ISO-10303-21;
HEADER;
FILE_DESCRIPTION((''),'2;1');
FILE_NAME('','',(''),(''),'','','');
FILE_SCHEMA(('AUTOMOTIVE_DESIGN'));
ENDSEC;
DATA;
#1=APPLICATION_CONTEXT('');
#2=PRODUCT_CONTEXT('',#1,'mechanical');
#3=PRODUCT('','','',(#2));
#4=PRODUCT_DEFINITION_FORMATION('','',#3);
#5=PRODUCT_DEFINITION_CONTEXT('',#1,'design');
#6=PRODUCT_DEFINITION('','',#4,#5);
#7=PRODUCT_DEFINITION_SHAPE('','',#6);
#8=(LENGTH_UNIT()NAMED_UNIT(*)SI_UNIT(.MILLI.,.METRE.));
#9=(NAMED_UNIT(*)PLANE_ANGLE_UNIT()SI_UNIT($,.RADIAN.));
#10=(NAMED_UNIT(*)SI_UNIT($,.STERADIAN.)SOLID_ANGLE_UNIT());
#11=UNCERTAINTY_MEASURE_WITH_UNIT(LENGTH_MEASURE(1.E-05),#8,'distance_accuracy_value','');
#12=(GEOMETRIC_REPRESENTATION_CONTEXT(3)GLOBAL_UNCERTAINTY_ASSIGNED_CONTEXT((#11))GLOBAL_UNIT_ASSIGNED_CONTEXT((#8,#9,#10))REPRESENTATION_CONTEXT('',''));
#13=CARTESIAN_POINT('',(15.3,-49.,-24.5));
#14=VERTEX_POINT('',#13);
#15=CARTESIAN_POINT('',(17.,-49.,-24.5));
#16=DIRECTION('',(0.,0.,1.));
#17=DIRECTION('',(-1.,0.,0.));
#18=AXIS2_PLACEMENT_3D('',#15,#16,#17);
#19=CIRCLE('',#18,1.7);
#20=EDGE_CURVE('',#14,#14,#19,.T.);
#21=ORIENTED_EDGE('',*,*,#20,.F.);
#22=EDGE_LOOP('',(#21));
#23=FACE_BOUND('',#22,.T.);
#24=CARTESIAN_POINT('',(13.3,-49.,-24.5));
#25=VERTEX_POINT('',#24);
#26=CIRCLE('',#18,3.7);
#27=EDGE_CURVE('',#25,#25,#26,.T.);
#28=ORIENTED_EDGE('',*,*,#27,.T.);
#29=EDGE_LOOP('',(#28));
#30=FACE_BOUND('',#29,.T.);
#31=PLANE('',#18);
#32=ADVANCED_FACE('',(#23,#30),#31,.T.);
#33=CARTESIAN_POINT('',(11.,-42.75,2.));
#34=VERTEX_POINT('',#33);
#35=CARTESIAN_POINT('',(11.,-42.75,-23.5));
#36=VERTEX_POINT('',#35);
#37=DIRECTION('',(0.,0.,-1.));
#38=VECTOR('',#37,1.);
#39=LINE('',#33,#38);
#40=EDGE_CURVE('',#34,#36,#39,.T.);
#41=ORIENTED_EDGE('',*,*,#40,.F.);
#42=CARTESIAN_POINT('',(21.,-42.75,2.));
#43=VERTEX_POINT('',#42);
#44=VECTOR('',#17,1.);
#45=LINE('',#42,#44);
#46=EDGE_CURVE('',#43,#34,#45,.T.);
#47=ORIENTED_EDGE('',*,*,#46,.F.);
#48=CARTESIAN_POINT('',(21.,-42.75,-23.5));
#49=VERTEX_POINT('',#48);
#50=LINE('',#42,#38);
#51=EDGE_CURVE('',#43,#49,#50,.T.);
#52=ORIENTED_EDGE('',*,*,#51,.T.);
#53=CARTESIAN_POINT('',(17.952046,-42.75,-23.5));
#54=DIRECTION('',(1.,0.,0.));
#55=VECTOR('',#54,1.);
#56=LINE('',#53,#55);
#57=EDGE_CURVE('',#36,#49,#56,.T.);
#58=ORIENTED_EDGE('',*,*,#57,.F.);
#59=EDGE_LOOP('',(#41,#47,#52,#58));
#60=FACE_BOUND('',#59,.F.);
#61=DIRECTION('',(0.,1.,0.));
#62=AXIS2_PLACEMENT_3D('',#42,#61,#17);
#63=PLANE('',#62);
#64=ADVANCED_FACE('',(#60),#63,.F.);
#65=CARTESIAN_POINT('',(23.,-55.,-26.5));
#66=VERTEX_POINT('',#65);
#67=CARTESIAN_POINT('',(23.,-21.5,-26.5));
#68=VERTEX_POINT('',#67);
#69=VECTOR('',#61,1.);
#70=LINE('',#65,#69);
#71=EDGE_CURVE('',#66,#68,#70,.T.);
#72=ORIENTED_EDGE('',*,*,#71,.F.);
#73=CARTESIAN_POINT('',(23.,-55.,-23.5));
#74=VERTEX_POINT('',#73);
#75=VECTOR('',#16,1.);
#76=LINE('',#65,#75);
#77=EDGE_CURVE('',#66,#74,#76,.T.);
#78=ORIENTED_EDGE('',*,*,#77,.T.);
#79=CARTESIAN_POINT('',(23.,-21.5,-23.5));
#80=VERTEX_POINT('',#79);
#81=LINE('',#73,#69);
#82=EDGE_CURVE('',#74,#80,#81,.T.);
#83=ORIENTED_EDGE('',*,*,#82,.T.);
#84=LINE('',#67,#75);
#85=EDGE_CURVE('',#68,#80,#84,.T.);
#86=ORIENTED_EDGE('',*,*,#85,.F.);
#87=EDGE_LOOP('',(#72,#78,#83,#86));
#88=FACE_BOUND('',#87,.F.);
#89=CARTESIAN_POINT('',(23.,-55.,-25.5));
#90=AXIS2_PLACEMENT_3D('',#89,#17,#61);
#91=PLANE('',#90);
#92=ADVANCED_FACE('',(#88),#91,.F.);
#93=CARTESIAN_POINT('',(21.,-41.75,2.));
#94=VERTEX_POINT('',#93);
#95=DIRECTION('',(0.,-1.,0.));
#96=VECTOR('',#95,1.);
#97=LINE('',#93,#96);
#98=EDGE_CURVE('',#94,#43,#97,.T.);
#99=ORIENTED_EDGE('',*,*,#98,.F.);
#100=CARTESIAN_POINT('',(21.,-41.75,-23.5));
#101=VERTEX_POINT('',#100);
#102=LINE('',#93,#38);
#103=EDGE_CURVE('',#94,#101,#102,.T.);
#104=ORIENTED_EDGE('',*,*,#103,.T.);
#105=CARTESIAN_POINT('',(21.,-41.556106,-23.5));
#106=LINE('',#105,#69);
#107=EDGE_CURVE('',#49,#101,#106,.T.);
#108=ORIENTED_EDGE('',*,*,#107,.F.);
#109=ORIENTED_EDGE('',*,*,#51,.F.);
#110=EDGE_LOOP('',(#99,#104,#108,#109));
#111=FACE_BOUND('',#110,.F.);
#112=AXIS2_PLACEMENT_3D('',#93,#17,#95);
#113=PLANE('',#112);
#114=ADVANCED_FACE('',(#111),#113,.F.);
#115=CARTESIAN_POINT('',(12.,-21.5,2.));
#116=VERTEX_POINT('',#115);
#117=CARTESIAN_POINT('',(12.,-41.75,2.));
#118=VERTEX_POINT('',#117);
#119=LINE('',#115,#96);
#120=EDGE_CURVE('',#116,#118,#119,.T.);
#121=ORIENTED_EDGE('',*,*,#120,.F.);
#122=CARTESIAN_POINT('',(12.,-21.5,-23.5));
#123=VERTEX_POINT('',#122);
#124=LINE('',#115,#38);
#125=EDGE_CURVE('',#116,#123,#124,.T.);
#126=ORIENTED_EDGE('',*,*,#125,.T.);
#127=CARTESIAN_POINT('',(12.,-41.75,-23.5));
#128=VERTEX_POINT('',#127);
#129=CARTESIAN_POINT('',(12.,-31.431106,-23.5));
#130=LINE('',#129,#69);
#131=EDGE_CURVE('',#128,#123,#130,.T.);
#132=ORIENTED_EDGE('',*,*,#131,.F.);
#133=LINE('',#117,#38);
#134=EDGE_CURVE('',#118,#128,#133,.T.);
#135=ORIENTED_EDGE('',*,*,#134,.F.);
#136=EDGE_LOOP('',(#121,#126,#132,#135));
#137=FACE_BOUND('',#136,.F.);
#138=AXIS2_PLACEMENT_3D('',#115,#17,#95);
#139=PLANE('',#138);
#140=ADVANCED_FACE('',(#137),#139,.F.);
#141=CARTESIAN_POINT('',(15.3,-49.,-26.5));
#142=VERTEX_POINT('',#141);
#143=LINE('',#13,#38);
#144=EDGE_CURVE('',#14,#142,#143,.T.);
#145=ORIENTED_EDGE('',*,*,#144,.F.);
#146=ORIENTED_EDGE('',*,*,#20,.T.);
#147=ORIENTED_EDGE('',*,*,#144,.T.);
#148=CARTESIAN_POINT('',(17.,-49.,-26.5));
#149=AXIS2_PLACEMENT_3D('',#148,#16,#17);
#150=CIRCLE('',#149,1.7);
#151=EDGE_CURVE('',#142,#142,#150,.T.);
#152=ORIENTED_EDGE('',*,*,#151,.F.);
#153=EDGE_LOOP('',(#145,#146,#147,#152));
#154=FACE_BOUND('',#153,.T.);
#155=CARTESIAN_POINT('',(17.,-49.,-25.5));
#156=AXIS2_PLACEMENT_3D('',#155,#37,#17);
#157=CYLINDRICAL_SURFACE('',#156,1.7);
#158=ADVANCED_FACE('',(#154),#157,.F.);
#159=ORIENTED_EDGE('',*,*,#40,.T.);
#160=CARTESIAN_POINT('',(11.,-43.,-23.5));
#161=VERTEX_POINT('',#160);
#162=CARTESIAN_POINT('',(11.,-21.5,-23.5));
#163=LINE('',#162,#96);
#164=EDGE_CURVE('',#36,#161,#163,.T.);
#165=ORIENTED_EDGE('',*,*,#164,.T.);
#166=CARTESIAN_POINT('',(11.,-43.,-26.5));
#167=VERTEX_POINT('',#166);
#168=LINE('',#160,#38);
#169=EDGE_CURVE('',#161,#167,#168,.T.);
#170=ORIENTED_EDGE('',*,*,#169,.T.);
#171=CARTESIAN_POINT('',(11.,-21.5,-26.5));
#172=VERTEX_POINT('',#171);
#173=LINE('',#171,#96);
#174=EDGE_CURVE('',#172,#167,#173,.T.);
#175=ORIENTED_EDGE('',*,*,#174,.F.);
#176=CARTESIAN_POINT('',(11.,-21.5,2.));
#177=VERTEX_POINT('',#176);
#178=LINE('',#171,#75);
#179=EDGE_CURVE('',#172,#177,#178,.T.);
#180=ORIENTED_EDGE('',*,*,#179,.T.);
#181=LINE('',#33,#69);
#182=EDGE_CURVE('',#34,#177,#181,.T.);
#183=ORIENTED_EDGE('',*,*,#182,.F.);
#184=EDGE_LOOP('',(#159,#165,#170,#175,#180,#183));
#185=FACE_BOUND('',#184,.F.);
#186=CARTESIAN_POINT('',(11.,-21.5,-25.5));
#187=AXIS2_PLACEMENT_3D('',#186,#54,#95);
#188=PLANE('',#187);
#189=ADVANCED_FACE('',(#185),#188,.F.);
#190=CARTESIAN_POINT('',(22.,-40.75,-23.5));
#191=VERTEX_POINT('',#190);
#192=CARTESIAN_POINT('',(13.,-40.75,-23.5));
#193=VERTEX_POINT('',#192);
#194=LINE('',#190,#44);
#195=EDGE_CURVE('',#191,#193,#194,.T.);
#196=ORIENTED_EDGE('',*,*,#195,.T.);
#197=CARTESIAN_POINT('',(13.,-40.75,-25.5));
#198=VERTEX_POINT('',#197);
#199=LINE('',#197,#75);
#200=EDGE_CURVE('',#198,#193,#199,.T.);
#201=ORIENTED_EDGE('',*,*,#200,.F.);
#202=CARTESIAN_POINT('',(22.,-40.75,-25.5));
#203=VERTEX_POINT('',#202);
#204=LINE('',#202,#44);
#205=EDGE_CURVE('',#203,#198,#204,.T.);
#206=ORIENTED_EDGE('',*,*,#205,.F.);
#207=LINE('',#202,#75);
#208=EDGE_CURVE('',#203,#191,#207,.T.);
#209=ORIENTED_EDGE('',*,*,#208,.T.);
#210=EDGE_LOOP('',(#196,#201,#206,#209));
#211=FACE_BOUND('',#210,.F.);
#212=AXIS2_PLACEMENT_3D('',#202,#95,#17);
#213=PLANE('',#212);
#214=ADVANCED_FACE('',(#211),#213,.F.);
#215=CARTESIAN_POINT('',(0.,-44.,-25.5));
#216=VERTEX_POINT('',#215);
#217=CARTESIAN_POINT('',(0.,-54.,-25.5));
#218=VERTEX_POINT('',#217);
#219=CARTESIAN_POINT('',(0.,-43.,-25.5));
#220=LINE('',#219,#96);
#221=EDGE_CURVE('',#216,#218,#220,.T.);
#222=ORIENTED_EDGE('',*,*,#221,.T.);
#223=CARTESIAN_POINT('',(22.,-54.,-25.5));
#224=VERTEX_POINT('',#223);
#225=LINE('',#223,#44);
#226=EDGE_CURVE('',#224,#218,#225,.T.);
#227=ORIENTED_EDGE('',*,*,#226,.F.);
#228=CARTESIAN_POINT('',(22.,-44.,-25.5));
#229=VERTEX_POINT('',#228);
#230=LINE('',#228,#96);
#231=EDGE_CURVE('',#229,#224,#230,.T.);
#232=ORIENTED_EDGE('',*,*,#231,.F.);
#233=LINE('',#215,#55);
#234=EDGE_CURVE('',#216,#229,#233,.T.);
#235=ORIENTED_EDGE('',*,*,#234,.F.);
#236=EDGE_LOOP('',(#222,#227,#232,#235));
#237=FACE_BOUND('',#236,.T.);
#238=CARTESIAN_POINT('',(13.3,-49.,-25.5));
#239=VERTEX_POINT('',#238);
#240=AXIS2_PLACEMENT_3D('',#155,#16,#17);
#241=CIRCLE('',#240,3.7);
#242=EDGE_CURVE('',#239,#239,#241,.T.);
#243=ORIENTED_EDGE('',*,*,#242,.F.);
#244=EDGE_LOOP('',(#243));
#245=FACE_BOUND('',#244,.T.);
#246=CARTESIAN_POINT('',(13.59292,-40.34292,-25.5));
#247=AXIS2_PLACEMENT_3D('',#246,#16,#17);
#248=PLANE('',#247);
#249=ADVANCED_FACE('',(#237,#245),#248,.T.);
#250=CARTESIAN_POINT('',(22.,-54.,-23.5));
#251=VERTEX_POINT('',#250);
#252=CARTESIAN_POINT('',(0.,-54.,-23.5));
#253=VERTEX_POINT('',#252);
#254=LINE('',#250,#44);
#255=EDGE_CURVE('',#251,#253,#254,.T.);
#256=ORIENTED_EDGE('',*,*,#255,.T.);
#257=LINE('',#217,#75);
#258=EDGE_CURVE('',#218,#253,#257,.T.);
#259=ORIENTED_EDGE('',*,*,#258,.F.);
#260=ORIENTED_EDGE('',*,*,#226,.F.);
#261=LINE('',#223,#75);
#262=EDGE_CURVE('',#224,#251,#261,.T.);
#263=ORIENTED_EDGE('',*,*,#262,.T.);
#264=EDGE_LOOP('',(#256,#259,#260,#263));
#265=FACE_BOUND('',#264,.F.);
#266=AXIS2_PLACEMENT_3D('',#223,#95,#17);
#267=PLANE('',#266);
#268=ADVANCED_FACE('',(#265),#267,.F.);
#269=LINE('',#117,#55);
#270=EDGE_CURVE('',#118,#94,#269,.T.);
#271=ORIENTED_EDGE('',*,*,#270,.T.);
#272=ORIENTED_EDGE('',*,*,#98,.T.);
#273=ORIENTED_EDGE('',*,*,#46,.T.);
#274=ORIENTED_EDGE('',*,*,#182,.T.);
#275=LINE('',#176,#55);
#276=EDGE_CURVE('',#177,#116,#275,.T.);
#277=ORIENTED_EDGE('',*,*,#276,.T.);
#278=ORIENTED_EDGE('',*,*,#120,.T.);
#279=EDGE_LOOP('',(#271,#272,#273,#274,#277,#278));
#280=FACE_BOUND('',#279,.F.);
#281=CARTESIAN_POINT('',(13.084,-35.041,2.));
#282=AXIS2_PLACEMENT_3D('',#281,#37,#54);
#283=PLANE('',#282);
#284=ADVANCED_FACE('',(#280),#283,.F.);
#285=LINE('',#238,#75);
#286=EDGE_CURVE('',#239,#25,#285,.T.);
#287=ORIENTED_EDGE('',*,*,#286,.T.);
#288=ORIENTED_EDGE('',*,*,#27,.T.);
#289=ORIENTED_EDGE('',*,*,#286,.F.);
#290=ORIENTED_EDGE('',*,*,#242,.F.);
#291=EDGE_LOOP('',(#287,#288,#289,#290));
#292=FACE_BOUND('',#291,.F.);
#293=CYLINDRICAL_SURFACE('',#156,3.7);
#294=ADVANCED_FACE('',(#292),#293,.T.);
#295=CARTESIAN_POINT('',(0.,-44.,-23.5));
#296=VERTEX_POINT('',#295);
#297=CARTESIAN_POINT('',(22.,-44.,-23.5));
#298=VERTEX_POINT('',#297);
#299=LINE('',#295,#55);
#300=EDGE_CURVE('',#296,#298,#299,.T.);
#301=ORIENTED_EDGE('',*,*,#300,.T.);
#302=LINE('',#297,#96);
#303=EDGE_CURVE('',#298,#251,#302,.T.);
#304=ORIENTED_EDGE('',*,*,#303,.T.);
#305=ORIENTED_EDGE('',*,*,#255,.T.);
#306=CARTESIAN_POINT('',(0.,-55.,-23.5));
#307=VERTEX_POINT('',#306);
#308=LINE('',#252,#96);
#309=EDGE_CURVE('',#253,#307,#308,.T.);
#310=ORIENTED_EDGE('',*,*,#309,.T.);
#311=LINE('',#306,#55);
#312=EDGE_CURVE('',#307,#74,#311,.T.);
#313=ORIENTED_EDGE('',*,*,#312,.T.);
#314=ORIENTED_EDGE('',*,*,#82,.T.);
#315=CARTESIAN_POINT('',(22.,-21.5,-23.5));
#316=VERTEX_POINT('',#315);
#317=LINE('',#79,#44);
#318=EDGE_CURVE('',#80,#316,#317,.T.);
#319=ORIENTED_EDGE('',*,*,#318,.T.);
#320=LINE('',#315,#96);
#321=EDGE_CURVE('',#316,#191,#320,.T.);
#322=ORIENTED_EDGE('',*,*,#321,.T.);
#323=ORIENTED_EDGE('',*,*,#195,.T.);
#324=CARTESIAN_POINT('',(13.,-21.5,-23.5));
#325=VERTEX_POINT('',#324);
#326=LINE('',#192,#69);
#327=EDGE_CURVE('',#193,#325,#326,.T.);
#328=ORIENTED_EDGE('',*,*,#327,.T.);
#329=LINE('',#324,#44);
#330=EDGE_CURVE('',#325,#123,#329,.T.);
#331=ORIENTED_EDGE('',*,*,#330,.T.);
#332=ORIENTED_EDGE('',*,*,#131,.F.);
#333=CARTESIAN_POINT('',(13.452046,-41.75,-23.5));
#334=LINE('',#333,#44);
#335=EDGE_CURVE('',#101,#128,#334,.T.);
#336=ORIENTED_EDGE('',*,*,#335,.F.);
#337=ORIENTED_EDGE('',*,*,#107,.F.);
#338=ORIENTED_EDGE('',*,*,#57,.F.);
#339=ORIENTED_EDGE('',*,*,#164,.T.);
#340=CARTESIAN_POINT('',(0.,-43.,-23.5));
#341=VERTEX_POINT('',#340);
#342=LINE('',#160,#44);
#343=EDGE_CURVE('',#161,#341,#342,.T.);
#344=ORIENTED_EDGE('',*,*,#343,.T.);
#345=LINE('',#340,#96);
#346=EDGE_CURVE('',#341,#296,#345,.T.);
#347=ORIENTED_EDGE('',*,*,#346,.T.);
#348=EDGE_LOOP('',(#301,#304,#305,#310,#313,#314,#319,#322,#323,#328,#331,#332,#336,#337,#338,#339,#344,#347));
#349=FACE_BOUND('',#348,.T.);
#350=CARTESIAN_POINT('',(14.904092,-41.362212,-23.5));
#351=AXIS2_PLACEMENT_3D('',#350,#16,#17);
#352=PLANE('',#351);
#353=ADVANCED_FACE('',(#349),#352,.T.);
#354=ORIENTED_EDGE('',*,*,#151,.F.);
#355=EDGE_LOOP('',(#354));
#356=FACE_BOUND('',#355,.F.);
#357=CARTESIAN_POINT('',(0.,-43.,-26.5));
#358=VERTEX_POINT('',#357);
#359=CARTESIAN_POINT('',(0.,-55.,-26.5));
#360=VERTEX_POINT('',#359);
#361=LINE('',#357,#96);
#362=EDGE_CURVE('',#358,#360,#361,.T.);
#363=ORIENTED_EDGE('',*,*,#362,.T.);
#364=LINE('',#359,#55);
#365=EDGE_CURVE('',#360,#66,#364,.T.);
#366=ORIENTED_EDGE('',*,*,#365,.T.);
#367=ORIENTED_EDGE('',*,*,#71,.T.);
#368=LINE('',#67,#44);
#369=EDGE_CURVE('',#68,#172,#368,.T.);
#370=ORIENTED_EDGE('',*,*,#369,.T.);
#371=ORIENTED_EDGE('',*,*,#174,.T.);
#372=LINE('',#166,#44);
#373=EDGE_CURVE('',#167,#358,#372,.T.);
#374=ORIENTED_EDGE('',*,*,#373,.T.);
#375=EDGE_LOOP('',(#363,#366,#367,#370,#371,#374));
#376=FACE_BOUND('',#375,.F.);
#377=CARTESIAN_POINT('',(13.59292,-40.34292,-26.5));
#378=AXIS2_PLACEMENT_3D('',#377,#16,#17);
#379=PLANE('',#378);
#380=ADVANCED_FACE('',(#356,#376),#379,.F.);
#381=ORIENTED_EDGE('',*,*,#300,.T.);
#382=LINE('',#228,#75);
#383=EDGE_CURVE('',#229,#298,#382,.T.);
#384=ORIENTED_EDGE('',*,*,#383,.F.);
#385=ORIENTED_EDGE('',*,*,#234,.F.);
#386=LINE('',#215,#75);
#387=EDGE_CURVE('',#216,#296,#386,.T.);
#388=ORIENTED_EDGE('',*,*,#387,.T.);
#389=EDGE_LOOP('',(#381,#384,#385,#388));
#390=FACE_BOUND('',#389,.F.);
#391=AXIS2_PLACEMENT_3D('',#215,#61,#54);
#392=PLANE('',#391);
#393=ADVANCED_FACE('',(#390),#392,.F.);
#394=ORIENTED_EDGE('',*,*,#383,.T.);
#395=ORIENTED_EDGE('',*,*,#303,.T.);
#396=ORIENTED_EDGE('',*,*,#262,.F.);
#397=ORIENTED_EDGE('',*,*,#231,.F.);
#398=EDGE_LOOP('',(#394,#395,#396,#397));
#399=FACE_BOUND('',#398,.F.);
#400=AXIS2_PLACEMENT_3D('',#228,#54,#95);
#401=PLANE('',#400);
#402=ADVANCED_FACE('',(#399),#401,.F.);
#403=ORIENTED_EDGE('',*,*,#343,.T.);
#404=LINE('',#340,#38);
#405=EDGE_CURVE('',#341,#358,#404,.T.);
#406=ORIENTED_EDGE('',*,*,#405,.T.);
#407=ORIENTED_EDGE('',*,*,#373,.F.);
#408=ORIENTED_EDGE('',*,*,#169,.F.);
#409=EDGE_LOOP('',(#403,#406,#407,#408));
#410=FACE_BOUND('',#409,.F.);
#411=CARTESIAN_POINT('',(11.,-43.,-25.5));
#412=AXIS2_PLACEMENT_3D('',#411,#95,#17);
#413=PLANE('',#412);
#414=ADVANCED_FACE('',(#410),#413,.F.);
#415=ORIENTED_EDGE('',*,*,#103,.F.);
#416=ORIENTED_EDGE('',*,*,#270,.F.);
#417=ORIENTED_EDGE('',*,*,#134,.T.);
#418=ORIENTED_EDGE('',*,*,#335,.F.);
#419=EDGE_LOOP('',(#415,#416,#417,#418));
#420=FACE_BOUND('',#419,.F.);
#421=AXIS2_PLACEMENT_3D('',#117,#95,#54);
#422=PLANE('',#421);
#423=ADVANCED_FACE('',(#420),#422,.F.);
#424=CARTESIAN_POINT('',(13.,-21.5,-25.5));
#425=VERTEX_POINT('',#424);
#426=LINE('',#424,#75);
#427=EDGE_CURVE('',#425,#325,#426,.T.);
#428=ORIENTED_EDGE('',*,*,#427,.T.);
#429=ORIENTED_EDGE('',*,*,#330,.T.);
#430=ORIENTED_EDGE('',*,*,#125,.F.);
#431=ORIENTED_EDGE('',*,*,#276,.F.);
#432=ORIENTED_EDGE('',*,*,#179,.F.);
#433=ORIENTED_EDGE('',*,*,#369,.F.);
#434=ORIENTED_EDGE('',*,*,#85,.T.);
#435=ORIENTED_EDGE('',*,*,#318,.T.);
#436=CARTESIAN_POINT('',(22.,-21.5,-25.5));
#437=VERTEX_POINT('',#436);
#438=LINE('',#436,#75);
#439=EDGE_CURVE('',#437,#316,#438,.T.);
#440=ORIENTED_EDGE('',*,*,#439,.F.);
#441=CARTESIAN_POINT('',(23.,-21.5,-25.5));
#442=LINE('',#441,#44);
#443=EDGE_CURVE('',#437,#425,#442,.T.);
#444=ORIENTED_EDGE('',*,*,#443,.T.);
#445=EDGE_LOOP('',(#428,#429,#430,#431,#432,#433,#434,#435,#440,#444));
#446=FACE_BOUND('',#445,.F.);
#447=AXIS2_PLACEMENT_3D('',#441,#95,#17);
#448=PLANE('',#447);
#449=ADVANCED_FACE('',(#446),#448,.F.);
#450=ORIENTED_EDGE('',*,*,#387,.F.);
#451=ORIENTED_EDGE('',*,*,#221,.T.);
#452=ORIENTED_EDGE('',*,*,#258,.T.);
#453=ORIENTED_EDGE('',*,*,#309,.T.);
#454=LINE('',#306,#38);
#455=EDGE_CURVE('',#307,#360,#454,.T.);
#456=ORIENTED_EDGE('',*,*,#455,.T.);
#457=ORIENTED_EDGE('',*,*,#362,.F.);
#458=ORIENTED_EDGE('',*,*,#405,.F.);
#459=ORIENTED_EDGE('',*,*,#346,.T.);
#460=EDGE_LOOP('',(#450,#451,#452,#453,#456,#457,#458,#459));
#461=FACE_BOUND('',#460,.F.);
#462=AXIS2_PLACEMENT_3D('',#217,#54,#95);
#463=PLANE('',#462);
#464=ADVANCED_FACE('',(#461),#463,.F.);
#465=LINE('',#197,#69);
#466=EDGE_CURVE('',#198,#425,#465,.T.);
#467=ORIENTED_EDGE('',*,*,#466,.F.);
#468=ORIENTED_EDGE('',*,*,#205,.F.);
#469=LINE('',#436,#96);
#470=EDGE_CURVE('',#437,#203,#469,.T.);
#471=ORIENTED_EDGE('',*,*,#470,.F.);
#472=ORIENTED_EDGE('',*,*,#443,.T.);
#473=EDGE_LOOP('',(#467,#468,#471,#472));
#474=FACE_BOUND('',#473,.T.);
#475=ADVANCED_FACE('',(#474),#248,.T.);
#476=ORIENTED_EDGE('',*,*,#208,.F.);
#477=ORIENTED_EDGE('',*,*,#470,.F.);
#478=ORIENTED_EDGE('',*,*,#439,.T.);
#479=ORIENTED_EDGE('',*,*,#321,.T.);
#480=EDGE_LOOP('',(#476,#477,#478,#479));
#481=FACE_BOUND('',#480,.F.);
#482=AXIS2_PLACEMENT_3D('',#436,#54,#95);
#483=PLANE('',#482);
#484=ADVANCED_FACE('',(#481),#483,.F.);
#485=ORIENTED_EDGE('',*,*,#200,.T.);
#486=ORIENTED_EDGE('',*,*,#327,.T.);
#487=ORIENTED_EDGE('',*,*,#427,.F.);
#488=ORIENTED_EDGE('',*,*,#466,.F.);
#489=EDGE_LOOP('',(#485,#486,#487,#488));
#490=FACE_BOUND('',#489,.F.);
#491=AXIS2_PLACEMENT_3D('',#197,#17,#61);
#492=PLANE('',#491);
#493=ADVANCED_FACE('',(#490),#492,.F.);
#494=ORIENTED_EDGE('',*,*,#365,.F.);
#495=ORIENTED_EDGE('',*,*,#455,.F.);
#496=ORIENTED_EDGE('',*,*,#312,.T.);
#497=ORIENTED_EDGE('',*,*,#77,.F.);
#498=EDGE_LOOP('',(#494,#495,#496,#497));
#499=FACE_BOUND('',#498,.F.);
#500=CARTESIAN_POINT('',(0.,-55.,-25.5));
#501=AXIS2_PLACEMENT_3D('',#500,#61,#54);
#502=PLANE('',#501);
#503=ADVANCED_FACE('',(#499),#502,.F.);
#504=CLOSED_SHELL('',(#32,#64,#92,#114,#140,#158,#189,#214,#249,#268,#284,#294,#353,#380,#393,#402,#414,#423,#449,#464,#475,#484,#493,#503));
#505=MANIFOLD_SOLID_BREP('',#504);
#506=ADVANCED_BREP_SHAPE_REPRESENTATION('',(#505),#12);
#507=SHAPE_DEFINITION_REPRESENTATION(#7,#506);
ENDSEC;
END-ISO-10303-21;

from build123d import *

# Parameters (mm, degrees)
SKETCH006_R      = 1.7
EXTRUDE004_DEPTH = 1
EXTRUDE005_DEPTH = 2
SKETCH017_R      = 3.7
SKETCH017_R_2    = 1.7
EXTRUDE014_DEPTH = 1
EXTRUDE003_DEPTH = 27.5


with BuildPart() as extrude004:
    # Sketch006 → Extrude004 (new body)
    with BuildSketch(Plane.XY.offset(10)):
        Polygon((-11, 0), (0, 0), (0, 12), (-23, 12), (-23, -21.5), (-11, -21.5), align=None)
        with Locations((-17, 6)):
            Circle(SKETCH006_R, mode=Mode.SUBTRACT)
    extrude(amount=EXTRUDE004_DEPTH)


with BuildPart() as extrude004_1:
    # Extrude004 placement: moved
    add(extrude004.part.moved(Location((0, 0, -36.5))))


with BuildPart() as extrude005:
    # Sketch007 → Extrude005 (new body)
    with BuildSketch(Plane.XY.offset(10)):
        Polygon((0, 12), (-23, 12), (-23, -21.5), (-22, -21.5), (-22, -2.25), (-13, -2.25), (-13, -21.5), (-11, -21.5), (-11, 0), (0, 0), (0, 1), (-22, 1), (-22, 11), (0, 11), align=None)
    extrude(amount=EXTRUDE005_DEPTH)


with BuildPart() as extrude005_1:
    # Extrude005 placement: moved
    add(extrude005.part.moved(Location((0, 0, -35.5))))


with BuildPart() as extrude014:
    # Sketch017 → Extrude014 (new body)
    with BuildSketch(Plane.XY.offset(10)):
        with Locations((-17, 6)):
            Circle(SKETCH017_R)
        with Locations((-17, 6)):
            Circle(SKETCH017_R_2, mode=Mode.SUBTRACT)
    extrude(amount=EXTRUDE014_DEPTH)


with BuildPart() as extrude014_1:
    # Extrude014 placement: moved
    add(extrude014.part.moved(Location((0, 0, -35.5))))


with BuildPart() as body004:
    # Sketch003 → Extrude003 (new body)
    with BuildSketch(Plane.XY):
        Polygon((-21, -0.25), (-11, -0.25), (-11, -21.5), (-12, -21.5), (-12, -1.25), (-21, -1.25), align=None)
    extrude(amount=-EXTRUDE003_DEPTH)


with BuildPart() as body004_1:
    # Extrude003 placement: moved
    add(body004.part.moved(Location((0, 0, 2))))

    # Fusion013: union Extrude004, Extrude005, Extrude014
    add(extrude004_1.part)
    add(extrude005_1.part)
    add(extrude014_1.part)


with BuildPart() as body005:
    # Part__Mirroring005: instance of Body004
    add(body004_1.part.mirror(Plane(origin=(0, 0, 0), x_dir=(0, -1, 0), z_dir=(1, 0, 0))))


with BuildPart() as part_mirroring006:
    # Part__Mirroring006: instance of Body005
    add(body005.part.mirror(Plane(origin=(0, -21.5, 0), x_dir=(1, 0, 0), z_dir=(0, 1, 0))))


solid = part_mirroring006.part
